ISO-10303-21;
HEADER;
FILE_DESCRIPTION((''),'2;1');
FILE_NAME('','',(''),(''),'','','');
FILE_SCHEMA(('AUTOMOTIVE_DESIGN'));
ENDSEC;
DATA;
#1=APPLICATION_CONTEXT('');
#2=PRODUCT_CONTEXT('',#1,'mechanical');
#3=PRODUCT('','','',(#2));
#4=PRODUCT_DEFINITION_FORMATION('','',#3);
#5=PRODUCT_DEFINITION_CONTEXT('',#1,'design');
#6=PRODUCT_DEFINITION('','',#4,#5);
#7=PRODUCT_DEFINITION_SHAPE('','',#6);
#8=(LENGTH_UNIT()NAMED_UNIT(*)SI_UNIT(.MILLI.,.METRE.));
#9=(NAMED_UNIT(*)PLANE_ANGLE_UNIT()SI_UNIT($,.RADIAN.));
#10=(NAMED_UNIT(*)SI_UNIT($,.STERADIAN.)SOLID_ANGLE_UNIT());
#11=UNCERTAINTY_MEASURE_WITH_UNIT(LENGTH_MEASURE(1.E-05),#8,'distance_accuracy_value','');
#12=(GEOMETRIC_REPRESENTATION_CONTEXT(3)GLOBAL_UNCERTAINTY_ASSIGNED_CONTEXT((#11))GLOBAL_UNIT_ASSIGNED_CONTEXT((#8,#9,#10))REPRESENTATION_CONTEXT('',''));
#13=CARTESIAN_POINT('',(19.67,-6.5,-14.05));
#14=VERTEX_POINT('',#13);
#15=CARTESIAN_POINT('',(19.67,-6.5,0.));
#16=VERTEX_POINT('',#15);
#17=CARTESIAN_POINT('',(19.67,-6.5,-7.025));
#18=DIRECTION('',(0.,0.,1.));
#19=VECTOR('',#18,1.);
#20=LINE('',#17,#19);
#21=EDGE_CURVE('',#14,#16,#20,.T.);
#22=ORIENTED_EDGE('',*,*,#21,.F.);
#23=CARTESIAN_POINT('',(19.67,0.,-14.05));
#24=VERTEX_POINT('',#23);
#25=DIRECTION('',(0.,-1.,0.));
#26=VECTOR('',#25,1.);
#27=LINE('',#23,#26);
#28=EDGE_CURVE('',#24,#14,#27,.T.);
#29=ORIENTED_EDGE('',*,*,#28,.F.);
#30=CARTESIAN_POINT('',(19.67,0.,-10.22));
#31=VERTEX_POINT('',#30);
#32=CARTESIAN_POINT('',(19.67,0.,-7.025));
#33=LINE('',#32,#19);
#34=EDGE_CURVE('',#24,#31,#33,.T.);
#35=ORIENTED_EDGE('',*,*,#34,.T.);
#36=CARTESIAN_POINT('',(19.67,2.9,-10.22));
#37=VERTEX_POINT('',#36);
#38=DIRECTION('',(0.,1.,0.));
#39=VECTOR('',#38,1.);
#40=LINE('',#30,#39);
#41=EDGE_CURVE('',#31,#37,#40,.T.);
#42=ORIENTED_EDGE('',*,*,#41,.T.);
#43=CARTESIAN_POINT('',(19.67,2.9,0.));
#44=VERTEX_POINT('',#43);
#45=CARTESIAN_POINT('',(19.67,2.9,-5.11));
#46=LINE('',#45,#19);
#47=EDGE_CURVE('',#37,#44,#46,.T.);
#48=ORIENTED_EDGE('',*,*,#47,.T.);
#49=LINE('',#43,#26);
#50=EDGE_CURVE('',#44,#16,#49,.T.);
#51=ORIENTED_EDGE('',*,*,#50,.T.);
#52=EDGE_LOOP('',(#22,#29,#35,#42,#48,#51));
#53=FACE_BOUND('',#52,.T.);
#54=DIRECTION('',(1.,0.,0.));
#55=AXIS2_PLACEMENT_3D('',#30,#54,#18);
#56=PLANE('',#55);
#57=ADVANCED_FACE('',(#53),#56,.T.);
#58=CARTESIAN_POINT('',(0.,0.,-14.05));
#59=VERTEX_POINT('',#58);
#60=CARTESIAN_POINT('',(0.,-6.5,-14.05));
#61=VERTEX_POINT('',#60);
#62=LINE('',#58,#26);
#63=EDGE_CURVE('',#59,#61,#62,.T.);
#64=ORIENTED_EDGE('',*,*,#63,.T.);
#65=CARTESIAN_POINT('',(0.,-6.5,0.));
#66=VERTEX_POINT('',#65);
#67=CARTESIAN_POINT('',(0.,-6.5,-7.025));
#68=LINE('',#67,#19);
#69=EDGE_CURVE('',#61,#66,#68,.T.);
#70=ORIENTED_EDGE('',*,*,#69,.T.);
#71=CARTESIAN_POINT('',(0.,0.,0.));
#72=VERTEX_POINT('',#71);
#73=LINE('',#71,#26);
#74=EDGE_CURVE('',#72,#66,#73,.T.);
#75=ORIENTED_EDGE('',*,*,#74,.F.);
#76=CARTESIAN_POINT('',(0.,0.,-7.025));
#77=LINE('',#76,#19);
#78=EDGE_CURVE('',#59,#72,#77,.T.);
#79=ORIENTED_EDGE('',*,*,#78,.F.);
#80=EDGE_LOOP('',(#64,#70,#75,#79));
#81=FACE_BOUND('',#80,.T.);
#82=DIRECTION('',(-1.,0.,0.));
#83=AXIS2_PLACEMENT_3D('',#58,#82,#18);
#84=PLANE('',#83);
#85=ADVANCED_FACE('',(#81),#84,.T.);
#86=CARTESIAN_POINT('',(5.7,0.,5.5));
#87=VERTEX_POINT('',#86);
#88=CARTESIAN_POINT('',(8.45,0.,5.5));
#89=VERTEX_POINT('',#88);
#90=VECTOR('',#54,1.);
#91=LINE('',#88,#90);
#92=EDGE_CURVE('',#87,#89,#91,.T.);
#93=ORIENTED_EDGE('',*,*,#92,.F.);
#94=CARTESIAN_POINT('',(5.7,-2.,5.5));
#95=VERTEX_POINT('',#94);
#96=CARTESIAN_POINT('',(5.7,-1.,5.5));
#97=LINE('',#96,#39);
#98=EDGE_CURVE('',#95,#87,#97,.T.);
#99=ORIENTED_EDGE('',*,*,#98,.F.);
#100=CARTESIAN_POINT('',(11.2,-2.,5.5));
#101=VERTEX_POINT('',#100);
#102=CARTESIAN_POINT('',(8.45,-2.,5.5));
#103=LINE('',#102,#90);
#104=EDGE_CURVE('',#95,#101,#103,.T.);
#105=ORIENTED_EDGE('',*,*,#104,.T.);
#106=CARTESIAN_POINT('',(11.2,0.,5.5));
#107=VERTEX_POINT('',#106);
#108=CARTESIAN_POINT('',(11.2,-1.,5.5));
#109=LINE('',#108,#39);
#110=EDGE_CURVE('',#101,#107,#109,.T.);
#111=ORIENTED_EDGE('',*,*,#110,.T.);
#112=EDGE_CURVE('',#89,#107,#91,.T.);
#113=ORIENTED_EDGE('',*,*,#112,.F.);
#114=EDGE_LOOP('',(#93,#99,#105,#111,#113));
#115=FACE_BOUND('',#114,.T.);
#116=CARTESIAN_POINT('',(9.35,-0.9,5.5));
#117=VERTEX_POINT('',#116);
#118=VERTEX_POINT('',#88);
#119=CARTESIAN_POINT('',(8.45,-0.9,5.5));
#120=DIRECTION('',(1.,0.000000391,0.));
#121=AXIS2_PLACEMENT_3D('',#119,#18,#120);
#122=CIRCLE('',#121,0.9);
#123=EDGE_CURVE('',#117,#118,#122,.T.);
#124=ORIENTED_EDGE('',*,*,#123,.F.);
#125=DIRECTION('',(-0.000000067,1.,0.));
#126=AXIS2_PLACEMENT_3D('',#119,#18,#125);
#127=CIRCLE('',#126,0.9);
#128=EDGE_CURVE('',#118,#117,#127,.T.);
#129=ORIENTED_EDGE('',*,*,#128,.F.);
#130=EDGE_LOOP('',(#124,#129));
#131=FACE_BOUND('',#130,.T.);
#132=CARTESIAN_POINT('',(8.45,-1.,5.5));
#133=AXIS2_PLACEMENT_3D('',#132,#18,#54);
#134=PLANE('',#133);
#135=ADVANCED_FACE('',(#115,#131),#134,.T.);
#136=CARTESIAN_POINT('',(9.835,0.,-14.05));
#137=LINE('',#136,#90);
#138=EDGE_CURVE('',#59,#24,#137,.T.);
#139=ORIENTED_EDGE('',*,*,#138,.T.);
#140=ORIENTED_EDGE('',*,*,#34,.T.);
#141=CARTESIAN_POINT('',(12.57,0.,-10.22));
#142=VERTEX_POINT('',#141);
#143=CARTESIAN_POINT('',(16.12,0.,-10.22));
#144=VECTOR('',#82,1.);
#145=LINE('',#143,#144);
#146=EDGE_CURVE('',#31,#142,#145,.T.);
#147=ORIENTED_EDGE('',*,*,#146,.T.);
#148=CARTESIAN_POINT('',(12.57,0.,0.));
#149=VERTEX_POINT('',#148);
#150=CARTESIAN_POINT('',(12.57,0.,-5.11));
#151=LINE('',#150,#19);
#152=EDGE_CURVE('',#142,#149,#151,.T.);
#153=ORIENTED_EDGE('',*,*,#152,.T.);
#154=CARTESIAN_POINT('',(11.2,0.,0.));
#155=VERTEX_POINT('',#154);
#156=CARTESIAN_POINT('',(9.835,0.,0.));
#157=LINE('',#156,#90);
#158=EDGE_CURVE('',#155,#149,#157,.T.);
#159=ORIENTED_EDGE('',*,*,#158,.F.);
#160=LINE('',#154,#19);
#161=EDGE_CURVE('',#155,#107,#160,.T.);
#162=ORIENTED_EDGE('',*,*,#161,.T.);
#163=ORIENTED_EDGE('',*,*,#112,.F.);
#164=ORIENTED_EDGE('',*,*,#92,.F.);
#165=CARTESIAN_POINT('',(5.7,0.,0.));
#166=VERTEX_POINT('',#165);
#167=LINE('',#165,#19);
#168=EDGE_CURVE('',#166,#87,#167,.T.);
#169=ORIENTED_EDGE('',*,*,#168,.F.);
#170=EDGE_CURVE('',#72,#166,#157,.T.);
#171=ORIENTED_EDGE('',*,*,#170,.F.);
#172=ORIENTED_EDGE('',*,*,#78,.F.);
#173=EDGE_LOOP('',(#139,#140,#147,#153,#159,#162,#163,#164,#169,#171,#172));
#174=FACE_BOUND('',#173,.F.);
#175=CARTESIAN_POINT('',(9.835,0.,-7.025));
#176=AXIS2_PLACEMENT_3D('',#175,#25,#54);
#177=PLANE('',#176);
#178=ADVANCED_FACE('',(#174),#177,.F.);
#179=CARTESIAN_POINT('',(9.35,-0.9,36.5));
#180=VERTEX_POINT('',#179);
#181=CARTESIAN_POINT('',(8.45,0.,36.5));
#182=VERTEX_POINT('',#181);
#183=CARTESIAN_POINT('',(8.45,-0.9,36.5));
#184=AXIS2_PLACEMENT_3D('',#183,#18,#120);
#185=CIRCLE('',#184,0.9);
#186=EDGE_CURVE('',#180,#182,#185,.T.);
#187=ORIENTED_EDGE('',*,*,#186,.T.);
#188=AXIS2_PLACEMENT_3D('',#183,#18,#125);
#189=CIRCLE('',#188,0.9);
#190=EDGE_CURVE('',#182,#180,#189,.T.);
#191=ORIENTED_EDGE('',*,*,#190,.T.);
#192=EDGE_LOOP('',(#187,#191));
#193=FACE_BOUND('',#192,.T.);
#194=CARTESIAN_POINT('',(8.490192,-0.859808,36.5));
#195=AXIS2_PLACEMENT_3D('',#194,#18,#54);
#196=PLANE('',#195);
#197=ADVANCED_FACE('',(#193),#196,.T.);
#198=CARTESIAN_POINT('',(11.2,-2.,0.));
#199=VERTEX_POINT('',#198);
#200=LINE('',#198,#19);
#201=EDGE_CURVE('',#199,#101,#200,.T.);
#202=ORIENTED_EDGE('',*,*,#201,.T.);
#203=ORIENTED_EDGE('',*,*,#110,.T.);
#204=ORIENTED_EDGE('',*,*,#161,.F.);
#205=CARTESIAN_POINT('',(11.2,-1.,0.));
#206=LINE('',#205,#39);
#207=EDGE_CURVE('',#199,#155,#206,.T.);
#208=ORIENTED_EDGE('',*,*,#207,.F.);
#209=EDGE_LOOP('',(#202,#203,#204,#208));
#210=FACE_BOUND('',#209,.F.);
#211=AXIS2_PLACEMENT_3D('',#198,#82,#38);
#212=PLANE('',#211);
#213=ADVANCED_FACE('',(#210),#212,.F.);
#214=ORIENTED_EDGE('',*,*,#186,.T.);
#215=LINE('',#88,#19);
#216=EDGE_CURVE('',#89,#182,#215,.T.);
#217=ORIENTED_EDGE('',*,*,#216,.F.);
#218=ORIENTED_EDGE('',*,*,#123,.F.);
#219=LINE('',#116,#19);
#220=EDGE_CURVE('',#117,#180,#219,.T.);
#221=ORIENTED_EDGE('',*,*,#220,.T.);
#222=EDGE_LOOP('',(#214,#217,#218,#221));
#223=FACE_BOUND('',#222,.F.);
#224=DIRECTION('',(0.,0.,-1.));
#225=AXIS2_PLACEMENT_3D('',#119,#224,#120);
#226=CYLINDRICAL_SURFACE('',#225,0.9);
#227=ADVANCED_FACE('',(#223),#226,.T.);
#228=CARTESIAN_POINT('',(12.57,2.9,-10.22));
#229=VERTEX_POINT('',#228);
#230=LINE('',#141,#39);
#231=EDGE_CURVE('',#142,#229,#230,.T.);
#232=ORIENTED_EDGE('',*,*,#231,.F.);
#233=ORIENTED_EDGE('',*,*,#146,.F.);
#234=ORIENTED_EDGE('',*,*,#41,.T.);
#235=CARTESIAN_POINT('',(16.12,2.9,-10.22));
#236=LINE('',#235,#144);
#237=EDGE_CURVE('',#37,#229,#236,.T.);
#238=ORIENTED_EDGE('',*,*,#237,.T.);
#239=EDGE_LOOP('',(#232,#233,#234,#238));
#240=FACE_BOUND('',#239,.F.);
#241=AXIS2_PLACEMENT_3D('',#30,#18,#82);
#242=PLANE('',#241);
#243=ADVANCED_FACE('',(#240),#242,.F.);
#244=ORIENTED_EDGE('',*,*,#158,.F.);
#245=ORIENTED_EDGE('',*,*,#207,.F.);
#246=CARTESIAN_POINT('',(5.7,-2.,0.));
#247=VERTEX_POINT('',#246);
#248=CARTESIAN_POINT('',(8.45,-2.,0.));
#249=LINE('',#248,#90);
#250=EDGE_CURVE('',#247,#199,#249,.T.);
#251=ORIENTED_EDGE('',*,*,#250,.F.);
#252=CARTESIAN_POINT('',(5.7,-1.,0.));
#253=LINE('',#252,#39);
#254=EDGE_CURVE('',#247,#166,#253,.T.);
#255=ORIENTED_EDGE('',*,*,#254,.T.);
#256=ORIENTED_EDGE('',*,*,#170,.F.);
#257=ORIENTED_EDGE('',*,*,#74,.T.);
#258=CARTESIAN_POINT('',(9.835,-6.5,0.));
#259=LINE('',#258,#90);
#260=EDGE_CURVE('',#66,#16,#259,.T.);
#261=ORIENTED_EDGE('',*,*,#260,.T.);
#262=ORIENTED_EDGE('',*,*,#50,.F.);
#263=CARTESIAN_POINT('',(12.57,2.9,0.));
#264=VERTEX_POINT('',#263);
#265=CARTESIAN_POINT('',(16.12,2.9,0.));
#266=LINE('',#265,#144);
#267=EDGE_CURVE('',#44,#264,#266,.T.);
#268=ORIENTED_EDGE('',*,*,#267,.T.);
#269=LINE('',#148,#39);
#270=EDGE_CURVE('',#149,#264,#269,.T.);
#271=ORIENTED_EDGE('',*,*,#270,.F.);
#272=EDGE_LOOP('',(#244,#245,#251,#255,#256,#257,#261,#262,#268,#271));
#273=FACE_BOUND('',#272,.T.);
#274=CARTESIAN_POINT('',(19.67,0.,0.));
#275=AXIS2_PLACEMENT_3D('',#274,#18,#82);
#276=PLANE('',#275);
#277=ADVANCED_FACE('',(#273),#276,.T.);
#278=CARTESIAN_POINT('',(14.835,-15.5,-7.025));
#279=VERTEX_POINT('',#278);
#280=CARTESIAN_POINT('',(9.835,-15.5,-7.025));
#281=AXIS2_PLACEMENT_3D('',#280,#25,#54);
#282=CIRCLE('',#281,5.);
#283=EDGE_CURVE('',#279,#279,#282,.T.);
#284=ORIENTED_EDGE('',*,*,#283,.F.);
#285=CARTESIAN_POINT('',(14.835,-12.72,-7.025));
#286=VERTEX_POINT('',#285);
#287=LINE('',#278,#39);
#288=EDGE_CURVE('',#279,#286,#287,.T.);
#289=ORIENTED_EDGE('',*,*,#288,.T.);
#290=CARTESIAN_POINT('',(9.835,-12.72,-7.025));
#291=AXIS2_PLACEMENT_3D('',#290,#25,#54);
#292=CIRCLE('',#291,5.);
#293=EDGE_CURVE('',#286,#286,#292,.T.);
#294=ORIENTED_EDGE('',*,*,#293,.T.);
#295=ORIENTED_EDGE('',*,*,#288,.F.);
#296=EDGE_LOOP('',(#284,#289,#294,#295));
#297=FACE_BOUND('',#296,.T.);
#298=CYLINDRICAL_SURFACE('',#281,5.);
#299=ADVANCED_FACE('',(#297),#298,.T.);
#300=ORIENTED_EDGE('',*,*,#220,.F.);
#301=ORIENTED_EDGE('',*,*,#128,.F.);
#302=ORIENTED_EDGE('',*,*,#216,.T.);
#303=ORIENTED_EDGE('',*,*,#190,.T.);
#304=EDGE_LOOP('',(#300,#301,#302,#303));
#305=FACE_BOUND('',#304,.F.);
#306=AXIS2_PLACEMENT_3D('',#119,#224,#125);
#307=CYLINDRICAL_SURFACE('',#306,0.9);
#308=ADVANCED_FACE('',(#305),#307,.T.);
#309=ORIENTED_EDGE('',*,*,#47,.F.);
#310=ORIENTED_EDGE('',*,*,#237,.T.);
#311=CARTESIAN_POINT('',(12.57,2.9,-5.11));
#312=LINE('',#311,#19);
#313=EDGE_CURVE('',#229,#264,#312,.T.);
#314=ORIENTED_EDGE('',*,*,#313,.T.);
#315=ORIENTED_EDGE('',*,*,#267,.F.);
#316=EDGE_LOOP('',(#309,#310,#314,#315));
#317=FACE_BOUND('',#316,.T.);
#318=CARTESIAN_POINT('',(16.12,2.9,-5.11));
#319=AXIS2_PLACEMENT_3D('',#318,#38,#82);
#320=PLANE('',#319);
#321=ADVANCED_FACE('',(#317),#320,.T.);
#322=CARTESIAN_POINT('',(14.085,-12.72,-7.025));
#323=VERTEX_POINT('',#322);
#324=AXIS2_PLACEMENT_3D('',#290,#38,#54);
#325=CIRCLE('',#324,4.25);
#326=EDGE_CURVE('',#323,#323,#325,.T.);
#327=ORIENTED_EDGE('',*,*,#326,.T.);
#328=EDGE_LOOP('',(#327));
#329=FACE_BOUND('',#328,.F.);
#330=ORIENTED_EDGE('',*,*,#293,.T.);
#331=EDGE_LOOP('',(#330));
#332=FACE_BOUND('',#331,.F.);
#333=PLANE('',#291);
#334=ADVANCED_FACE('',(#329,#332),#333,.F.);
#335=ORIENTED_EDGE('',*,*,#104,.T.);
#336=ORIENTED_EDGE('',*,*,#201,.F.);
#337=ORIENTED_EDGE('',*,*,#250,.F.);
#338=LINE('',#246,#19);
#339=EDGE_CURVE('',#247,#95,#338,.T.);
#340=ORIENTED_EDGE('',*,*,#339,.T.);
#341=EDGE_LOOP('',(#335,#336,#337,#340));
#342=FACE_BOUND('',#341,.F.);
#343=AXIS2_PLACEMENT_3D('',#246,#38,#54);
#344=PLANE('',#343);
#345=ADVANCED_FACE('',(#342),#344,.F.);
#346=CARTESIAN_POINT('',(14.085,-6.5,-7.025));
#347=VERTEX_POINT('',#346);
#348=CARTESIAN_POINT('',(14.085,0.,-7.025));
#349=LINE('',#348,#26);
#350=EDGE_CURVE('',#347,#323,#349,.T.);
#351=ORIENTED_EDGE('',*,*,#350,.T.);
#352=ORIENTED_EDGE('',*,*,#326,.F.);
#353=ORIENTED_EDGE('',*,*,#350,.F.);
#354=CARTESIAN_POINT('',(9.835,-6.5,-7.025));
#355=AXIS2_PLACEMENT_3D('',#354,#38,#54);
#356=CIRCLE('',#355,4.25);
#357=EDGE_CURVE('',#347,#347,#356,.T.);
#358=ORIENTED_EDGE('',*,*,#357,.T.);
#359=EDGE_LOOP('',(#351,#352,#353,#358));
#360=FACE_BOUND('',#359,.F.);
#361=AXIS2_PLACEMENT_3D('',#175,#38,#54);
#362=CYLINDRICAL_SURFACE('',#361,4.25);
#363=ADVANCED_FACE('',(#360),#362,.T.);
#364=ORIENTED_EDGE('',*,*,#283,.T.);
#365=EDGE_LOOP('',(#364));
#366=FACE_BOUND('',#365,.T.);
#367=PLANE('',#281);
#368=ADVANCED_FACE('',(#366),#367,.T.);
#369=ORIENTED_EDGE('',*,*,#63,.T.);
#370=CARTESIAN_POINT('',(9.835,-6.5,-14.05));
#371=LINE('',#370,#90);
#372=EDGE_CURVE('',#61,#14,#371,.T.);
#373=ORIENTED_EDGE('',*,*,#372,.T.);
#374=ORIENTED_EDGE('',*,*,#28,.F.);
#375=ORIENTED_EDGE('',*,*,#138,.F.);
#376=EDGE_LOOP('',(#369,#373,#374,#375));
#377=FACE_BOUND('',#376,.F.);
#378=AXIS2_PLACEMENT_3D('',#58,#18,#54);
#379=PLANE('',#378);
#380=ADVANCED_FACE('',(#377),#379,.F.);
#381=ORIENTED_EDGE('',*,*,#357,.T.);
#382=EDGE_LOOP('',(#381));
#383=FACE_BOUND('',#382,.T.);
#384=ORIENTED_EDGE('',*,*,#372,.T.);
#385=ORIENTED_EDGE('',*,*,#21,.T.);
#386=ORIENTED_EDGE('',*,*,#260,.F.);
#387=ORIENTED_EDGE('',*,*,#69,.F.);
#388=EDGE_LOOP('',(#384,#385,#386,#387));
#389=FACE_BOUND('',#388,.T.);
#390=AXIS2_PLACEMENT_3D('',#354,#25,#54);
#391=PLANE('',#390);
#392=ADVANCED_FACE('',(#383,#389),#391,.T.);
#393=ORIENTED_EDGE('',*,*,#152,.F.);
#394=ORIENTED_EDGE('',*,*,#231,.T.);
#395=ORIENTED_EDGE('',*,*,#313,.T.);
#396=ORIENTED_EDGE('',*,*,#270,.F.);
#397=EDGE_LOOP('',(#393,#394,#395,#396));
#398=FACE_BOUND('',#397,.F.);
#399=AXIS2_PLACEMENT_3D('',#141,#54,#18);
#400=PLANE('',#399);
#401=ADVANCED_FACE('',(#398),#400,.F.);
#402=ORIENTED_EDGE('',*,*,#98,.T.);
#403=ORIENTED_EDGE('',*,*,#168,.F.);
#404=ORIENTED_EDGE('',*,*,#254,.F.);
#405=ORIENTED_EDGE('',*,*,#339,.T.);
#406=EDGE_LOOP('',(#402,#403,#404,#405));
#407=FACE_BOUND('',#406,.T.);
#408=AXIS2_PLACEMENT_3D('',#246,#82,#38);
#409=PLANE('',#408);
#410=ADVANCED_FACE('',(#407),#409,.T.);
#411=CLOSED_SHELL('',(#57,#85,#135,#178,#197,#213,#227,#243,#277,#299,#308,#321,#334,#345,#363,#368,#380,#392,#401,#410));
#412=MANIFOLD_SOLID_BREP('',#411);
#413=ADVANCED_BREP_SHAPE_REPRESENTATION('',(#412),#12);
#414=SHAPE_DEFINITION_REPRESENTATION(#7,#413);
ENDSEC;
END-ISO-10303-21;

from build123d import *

# Parameters (mm, degrees)
F0_W      = 19.67
F0_H      = 14.05
F0_R      = 4.25
F1_DEPTH  = 6.5
F2_DEPTH  = 15.5
F3_R      = 5
F4_DEPTH  = 2.78
F5_W      = 7.1
F5_H      = 10.22
F6_DEPTH  = 2.9
F7_W      = 5.5
F7_H      = 2
F8_DEPTH  = 5.5
F10_DEPTH = 31


with BuildPart() as f1:
    # F0 (on Front) → F1 (new body)
    with BuildSketch(Plane.XZ):
        with Locations((9.835, -7.025)):
            Rectangle(F0_W, F0_H)
        with Locations((9.835, -7.025)):
            Circle(F0_R, mode=Mode.SUBTRACT)
        with Locations((9.835, -7.025)):
            Circle(F0_R)
    extrude(amount=F1_DEPTH)

    # F0 (on Front) → F2 (join)
    with BuildSketch(Plane.XZ):
        with Locations((9.835, -7.025)):
            Circle(F0_R)
    extrude(amount=F2_DEPTH)

    # F3 (on face) → F4 (join)
    with BuildSketch(Plane.XZ.offset(15.5)):
        with Locations((9.835, -7.025)):
            Circle(F3_R)
    extrude(amount=-F4_DEPTH)

    # F5 (on face) → F6 (join)
    with BuildSketch(Plane(origin=(0, 0, 0), x_dir=(-1, 0, 0), z_dir=(0, 1, 0))):
        with Locations((-16.12, -5.11)):
            Rectangle(F5_W, F5_H)
    extrude(amount=F6_DEPTH)

    # F7 (on face) → F8 (join)
    with BuildSketch(Plane.XY):
        with Locations((8.45, -1)):
            Rectangle(F7_W, F7_H)
    extrude(amount=F8_DEPTH)

    # F9 (on face) → F10 (join)
    with BuildSketch(Plane.XY.offset(5.5)):
        with BuildLine():
            ThreePointArc((8.45, 0), (7.813604, -1.536396), (9.35, -0.9))
            ThreePointArc((9.35, -0.9), (9.086396, -0.263604), (8.45, 0))
        make_face()
    extrude(amount=F10_DEPTH)


solid = f1.part
